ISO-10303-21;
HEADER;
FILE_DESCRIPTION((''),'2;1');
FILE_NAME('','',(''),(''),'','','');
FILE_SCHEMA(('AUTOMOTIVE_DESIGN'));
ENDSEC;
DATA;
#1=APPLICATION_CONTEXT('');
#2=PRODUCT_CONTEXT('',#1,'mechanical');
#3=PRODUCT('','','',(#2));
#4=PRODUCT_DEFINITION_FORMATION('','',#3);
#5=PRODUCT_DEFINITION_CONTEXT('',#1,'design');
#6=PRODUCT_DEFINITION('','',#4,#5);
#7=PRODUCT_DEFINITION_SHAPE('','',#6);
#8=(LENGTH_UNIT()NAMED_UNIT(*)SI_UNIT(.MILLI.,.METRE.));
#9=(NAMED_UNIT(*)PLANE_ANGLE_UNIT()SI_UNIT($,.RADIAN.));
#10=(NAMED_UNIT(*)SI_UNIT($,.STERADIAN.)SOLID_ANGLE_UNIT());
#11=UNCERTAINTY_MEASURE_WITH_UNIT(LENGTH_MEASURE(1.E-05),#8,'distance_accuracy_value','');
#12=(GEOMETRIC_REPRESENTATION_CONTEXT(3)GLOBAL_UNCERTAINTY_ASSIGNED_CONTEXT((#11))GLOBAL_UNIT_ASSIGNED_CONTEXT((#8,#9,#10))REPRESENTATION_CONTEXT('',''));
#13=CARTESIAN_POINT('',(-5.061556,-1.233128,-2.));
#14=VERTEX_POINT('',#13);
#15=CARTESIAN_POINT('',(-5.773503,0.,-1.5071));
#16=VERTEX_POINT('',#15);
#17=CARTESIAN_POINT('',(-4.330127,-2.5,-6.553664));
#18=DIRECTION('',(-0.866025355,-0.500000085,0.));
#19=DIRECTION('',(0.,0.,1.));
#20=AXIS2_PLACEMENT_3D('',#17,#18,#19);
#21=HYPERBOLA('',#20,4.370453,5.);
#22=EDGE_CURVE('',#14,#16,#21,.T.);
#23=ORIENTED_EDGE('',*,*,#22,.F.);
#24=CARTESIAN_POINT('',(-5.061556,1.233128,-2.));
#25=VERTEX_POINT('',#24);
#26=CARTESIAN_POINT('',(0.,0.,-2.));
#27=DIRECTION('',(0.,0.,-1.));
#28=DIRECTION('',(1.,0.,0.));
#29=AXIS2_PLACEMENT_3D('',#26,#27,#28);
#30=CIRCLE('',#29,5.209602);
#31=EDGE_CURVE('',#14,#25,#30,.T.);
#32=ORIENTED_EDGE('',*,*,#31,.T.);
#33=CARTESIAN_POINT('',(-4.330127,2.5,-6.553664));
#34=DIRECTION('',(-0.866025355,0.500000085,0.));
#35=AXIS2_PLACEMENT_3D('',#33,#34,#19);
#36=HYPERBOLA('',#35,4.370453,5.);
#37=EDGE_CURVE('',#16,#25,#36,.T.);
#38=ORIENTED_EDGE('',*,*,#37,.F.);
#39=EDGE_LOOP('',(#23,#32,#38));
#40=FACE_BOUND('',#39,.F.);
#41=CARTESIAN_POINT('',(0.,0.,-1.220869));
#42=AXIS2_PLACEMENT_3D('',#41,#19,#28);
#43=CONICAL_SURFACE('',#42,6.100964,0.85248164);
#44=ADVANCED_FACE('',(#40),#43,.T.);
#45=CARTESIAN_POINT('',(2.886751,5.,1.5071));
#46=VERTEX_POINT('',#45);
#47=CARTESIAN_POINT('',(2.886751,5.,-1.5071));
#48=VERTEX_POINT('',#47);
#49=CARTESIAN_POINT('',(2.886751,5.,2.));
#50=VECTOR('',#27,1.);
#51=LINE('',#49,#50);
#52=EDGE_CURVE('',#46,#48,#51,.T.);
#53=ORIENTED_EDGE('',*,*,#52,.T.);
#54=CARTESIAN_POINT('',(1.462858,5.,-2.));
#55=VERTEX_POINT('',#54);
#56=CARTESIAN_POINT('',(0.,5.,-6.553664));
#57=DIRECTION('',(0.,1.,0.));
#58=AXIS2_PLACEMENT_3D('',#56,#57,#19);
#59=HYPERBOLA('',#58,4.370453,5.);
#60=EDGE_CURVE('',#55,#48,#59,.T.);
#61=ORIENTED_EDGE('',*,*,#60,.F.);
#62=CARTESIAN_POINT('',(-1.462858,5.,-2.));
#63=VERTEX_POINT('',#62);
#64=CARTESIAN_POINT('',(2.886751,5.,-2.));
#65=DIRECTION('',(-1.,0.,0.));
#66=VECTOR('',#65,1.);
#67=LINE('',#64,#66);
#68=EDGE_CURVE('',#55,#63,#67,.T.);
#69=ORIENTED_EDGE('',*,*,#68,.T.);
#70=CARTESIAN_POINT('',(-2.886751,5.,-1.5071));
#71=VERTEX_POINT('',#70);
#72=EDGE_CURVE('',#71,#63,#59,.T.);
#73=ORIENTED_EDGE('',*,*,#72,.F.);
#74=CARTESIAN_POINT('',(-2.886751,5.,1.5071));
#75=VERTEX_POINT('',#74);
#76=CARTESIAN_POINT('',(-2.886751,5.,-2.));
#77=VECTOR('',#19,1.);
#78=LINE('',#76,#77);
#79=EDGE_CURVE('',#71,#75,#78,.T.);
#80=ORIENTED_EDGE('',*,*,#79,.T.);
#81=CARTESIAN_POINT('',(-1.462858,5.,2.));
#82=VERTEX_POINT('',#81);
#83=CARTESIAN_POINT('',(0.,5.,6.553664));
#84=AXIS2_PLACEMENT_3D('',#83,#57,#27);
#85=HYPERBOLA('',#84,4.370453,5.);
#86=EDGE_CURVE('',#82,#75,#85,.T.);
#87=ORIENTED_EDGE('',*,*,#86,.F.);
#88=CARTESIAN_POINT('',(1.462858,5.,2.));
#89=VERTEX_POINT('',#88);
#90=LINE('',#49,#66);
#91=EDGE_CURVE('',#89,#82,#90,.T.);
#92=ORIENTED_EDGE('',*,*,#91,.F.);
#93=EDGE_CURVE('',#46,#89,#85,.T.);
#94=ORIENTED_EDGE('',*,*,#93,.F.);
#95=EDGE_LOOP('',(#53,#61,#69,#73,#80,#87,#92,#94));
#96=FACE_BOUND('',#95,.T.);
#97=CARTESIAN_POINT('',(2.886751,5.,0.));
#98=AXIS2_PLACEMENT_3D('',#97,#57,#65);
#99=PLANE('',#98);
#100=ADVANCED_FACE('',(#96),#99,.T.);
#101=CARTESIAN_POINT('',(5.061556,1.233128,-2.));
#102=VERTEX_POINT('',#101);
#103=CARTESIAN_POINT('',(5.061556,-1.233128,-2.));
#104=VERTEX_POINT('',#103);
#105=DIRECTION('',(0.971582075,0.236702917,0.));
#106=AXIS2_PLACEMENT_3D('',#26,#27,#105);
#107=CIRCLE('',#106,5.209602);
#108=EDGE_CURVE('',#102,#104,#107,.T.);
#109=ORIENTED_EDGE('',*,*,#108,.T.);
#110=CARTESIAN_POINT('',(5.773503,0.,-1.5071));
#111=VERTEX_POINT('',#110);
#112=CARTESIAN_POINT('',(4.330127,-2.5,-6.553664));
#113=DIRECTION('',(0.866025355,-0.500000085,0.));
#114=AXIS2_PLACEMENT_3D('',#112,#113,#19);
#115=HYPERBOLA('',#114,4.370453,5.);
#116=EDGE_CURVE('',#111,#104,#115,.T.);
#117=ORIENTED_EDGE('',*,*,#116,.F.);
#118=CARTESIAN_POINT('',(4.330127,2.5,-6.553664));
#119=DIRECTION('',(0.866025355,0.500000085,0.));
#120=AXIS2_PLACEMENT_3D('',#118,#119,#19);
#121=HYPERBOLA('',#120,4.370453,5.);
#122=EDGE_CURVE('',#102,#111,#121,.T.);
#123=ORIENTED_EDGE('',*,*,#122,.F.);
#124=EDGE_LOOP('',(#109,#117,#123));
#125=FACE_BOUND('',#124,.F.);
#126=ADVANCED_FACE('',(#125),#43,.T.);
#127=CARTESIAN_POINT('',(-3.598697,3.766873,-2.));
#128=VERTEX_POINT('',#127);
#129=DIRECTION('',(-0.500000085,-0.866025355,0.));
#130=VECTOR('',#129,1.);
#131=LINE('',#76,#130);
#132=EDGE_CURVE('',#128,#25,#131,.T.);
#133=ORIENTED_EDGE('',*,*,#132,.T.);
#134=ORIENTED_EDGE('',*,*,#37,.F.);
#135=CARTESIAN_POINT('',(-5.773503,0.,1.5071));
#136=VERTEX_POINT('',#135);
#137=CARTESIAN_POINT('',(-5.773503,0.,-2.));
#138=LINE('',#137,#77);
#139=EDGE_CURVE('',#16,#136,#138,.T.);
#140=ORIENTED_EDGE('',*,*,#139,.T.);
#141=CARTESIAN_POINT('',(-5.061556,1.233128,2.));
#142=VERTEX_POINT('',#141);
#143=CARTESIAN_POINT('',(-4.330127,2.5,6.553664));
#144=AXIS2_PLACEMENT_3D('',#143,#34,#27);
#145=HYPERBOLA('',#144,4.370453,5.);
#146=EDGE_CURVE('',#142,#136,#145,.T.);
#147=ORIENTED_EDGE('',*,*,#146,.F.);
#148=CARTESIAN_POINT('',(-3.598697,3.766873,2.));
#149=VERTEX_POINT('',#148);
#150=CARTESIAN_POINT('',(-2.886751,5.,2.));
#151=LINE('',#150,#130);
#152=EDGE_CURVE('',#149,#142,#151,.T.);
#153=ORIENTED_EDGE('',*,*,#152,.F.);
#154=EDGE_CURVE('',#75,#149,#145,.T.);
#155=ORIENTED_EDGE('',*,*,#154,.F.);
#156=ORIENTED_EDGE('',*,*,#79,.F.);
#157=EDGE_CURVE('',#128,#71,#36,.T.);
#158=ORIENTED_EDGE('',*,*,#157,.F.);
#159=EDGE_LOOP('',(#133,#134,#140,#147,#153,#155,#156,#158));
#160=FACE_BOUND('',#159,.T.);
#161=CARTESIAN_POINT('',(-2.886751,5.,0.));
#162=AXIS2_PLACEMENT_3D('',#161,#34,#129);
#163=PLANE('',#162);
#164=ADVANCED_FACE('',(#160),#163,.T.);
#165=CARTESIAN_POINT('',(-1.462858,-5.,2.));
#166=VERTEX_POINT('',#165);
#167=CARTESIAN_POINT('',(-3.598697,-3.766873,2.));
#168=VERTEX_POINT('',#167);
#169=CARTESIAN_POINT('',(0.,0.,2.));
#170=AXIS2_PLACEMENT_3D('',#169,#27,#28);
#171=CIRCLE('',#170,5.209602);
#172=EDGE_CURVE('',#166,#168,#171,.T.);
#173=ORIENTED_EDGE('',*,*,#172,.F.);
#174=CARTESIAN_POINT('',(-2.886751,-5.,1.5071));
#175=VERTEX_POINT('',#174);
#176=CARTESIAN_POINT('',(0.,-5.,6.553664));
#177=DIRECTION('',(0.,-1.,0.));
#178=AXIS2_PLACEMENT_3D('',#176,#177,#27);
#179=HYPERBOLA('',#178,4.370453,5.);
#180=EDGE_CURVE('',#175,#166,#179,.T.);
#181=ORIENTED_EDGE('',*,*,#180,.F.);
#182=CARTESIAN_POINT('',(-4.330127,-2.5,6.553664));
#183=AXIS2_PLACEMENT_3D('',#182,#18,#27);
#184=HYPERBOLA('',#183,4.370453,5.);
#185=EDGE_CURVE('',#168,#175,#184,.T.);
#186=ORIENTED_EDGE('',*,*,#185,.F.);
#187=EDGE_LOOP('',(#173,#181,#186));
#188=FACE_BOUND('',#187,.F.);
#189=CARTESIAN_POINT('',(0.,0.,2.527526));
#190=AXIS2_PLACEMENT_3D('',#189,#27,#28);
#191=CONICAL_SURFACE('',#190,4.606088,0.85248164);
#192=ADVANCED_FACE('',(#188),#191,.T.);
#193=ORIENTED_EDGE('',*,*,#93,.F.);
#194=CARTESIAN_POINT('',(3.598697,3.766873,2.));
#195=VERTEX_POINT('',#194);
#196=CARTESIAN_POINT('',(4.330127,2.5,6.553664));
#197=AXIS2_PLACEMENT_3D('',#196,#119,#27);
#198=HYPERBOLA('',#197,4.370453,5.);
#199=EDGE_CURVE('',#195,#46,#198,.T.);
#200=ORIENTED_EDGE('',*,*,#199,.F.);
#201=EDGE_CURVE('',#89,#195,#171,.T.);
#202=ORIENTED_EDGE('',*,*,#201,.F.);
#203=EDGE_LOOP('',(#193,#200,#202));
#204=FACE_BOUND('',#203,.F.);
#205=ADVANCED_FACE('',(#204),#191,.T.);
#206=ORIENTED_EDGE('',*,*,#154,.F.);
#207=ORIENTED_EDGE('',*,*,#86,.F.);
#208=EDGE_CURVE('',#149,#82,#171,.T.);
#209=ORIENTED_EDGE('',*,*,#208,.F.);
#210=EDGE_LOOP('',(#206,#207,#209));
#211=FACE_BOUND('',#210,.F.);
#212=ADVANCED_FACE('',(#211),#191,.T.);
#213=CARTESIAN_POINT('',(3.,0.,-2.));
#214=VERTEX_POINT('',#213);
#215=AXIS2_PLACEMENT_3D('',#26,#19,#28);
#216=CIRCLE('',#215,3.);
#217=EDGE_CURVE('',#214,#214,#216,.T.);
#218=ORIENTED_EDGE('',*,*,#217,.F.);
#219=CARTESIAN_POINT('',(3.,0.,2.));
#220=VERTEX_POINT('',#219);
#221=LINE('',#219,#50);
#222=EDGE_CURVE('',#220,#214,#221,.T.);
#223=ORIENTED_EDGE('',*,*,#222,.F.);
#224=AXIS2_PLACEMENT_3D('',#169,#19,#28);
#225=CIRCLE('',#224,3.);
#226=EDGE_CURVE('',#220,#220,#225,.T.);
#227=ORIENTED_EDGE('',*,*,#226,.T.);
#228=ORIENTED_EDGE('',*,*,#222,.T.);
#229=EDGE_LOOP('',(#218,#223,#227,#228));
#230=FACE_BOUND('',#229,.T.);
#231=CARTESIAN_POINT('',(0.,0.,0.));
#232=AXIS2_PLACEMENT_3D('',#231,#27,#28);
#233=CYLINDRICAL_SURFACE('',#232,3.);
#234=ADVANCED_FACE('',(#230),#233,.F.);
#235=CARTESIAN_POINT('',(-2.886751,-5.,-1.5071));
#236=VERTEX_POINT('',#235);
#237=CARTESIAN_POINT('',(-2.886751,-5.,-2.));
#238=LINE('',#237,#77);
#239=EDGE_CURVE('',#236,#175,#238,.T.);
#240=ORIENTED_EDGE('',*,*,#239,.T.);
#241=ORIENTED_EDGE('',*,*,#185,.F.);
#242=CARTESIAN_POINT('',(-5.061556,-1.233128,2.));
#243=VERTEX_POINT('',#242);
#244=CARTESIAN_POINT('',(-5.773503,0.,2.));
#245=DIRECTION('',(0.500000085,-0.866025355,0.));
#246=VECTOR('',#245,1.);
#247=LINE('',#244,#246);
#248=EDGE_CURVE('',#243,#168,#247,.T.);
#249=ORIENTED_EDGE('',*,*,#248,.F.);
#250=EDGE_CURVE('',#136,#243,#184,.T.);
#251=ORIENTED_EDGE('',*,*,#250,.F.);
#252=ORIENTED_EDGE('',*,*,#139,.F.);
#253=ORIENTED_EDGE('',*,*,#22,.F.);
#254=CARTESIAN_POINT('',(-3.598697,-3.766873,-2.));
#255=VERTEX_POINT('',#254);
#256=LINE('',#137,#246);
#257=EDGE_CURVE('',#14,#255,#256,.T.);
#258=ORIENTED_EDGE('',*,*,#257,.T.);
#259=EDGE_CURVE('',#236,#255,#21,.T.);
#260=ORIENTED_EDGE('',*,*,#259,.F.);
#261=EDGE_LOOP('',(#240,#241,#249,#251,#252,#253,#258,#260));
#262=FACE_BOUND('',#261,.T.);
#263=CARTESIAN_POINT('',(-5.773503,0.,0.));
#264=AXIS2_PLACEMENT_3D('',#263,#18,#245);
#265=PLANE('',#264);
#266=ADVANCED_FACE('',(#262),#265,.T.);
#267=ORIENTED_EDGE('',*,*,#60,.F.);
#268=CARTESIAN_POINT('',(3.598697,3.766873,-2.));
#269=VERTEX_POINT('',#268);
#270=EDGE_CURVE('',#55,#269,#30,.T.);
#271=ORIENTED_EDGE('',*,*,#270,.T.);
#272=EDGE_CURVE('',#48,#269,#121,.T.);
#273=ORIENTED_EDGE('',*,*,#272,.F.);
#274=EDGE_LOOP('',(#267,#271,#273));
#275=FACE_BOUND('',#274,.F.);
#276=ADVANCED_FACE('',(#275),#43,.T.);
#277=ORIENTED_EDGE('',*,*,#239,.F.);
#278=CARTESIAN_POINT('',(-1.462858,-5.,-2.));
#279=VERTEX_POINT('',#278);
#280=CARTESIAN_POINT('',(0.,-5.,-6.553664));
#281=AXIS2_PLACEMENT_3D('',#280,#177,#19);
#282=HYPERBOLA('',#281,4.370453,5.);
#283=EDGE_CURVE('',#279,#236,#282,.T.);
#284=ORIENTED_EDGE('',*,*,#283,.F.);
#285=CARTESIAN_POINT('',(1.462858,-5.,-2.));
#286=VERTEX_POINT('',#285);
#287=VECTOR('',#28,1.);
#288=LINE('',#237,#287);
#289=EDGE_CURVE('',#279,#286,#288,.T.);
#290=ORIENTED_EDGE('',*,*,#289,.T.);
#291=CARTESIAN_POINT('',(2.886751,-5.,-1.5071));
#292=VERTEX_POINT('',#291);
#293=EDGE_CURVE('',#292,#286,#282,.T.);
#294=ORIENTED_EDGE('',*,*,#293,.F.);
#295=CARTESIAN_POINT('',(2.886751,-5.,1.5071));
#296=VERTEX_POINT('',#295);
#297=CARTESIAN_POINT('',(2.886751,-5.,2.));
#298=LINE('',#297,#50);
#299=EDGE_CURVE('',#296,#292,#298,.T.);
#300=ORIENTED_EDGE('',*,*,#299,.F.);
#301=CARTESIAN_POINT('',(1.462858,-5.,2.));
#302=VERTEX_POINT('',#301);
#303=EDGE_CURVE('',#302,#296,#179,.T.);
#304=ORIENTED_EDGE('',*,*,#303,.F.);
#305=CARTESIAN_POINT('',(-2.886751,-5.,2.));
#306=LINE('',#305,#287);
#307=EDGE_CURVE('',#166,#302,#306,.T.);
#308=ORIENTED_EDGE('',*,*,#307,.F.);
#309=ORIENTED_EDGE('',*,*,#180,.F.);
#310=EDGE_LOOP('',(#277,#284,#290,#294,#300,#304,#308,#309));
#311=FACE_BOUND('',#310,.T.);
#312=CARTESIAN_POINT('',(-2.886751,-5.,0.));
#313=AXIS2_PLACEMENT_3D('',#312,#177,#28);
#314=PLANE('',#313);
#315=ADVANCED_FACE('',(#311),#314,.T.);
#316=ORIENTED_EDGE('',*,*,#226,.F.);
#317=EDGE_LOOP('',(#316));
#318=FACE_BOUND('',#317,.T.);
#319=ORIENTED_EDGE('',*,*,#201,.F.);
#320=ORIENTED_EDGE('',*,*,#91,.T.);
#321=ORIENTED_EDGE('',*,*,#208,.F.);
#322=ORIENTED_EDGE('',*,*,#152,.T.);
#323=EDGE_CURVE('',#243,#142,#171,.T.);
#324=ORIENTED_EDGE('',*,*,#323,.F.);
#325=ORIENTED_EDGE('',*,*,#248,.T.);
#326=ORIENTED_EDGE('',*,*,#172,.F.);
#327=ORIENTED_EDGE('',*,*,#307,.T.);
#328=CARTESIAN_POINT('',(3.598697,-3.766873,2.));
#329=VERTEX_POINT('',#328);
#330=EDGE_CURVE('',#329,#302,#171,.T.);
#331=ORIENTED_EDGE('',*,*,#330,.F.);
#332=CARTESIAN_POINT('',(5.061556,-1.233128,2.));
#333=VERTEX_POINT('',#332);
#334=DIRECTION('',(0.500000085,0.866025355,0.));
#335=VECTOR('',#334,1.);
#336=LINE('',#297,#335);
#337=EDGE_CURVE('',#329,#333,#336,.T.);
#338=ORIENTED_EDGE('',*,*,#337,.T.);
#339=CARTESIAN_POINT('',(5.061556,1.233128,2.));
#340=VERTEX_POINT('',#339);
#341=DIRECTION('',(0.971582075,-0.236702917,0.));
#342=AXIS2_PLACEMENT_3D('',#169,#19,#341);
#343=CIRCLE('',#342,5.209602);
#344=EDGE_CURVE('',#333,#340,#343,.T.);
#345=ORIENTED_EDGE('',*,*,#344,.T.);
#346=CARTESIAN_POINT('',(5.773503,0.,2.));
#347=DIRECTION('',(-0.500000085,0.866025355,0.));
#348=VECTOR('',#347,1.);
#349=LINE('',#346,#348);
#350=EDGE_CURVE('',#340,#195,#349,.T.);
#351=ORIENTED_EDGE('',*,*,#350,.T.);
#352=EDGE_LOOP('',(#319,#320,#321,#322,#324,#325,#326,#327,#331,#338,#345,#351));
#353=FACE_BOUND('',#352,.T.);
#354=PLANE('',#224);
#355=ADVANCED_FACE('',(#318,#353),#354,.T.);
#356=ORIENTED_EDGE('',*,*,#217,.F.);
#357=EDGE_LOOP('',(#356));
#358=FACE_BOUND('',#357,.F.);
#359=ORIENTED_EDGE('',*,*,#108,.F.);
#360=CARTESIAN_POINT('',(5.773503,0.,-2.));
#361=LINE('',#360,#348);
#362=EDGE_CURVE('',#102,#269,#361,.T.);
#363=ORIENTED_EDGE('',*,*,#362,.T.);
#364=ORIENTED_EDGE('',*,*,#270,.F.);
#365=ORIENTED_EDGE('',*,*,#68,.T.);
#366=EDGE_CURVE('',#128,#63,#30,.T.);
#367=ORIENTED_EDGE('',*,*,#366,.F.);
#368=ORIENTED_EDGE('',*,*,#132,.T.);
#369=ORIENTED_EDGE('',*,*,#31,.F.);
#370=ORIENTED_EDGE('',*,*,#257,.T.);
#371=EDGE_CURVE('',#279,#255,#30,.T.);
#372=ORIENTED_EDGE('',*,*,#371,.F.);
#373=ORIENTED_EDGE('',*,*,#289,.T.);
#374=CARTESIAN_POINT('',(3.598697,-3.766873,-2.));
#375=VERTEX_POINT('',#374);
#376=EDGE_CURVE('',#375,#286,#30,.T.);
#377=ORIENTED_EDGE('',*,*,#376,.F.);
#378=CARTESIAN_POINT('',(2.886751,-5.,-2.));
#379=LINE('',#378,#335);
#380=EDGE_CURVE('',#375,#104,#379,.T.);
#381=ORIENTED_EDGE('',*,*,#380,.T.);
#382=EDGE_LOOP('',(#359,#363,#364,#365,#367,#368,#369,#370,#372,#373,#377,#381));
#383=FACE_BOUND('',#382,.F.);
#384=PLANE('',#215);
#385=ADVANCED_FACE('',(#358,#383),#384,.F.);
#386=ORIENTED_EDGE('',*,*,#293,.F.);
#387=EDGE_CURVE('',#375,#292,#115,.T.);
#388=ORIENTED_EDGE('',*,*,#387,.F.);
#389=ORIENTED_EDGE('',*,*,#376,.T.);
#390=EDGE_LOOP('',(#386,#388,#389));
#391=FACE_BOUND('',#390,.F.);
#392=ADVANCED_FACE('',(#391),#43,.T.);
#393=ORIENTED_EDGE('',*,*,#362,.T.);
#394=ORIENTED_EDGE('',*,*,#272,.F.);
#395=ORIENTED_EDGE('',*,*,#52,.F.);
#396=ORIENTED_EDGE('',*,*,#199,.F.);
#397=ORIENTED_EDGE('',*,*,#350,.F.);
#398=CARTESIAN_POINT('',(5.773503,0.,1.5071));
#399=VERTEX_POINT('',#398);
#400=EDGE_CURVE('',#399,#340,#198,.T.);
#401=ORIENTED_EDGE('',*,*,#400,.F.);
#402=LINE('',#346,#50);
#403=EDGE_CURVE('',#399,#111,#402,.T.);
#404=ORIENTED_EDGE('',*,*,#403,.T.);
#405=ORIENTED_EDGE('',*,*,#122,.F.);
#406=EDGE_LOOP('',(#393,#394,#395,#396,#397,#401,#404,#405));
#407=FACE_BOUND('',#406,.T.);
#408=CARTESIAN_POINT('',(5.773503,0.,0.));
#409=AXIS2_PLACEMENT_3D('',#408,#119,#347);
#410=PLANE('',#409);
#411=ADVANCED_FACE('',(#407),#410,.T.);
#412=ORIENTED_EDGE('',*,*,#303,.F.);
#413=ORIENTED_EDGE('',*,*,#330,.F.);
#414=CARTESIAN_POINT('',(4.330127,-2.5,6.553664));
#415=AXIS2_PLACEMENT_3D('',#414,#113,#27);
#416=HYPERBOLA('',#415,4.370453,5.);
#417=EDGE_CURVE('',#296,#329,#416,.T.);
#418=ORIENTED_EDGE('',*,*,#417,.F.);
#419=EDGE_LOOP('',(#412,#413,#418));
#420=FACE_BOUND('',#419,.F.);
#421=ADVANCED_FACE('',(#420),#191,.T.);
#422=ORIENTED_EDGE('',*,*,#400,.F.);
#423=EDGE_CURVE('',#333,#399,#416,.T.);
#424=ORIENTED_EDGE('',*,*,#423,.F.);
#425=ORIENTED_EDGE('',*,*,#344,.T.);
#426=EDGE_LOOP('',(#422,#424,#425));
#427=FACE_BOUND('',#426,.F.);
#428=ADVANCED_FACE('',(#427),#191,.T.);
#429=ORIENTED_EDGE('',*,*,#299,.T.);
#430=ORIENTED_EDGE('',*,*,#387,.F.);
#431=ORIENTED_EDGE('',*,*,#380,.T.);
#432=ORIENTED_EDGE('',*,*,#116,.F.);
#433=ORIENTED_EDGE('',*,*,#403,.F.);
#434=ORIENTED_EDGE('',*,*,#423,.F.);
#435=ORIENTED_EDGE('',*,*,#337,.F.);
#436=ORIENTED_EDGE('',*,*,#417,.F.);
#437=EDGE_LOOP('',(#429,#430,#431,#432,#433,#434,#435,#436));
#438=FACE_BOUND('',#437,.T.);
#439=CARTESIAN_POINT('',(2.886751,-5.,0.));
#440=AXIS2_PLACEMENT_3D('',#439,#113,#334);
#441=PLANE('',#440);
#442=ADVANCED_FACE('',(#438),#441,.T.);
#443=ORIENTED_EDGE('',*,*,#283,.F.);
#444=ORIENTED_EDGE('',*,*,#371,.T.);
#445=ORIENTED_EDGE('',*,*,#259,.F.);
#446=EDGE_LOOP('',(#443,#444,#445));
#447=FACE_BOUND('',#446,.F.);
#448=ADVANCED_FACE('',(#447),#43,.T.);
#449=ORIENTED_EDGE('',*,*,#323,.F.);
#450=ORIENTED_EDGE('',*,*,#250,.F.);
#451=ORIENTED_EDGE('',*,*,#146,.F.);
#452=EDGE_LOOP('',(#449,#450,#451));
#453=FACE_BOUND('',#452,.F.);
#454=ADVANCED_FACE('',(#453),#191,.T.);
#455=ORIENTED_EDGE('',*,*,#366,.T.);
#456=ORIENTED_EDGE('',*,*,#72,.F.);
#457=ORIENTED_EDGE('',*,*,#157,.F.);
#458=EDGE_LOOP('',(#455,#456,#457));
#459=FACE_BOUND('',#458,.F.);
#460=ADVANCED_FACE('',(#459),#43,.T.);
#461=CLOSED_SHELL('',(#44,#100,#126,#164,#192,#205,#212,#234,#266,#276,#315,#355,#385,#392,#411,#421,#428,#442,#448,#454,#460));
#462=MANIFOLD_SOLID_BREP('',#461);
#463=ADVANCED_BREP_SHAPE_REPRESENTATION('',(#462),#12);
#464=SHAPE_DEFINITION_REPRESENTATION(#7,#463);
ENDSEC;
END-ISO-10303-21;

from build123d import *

# Parameters (mm, degrees)
SKETCH_R  = 3
PAD_DEPTH = 2


with BuildPart() as part:
    # Sketch → Pad (new body, symmetric)
    with BuildSketch(Plane.XY):
        Polygon((2.886751, 5), (-2.886751, 5), (-5.773503, 0), (-2.886751, -5), (2.886751, -5), (5.773503, 0), align=None)
        Circle(SKETCH_R, mode=Mode.SUBTRACT)
    extrude(amount=PAD_DEPTH, both=True)

    # Sketch001 → Groove (revolve, cut)
    with BuildSketch(Plane.XZ):
        Polygon((4.606088, 2.527526), (6.100964, 1.220869), (6.100964, -1.220869), (4.606088, -2.527526), (7.425626, -2.527526), (7.425626, 2.527526), align=None)
    revolve(axis=Axis((0, 0, 0), (0, 0, 1)), mode=Mode.SUBTRACT)


solid = part.part
